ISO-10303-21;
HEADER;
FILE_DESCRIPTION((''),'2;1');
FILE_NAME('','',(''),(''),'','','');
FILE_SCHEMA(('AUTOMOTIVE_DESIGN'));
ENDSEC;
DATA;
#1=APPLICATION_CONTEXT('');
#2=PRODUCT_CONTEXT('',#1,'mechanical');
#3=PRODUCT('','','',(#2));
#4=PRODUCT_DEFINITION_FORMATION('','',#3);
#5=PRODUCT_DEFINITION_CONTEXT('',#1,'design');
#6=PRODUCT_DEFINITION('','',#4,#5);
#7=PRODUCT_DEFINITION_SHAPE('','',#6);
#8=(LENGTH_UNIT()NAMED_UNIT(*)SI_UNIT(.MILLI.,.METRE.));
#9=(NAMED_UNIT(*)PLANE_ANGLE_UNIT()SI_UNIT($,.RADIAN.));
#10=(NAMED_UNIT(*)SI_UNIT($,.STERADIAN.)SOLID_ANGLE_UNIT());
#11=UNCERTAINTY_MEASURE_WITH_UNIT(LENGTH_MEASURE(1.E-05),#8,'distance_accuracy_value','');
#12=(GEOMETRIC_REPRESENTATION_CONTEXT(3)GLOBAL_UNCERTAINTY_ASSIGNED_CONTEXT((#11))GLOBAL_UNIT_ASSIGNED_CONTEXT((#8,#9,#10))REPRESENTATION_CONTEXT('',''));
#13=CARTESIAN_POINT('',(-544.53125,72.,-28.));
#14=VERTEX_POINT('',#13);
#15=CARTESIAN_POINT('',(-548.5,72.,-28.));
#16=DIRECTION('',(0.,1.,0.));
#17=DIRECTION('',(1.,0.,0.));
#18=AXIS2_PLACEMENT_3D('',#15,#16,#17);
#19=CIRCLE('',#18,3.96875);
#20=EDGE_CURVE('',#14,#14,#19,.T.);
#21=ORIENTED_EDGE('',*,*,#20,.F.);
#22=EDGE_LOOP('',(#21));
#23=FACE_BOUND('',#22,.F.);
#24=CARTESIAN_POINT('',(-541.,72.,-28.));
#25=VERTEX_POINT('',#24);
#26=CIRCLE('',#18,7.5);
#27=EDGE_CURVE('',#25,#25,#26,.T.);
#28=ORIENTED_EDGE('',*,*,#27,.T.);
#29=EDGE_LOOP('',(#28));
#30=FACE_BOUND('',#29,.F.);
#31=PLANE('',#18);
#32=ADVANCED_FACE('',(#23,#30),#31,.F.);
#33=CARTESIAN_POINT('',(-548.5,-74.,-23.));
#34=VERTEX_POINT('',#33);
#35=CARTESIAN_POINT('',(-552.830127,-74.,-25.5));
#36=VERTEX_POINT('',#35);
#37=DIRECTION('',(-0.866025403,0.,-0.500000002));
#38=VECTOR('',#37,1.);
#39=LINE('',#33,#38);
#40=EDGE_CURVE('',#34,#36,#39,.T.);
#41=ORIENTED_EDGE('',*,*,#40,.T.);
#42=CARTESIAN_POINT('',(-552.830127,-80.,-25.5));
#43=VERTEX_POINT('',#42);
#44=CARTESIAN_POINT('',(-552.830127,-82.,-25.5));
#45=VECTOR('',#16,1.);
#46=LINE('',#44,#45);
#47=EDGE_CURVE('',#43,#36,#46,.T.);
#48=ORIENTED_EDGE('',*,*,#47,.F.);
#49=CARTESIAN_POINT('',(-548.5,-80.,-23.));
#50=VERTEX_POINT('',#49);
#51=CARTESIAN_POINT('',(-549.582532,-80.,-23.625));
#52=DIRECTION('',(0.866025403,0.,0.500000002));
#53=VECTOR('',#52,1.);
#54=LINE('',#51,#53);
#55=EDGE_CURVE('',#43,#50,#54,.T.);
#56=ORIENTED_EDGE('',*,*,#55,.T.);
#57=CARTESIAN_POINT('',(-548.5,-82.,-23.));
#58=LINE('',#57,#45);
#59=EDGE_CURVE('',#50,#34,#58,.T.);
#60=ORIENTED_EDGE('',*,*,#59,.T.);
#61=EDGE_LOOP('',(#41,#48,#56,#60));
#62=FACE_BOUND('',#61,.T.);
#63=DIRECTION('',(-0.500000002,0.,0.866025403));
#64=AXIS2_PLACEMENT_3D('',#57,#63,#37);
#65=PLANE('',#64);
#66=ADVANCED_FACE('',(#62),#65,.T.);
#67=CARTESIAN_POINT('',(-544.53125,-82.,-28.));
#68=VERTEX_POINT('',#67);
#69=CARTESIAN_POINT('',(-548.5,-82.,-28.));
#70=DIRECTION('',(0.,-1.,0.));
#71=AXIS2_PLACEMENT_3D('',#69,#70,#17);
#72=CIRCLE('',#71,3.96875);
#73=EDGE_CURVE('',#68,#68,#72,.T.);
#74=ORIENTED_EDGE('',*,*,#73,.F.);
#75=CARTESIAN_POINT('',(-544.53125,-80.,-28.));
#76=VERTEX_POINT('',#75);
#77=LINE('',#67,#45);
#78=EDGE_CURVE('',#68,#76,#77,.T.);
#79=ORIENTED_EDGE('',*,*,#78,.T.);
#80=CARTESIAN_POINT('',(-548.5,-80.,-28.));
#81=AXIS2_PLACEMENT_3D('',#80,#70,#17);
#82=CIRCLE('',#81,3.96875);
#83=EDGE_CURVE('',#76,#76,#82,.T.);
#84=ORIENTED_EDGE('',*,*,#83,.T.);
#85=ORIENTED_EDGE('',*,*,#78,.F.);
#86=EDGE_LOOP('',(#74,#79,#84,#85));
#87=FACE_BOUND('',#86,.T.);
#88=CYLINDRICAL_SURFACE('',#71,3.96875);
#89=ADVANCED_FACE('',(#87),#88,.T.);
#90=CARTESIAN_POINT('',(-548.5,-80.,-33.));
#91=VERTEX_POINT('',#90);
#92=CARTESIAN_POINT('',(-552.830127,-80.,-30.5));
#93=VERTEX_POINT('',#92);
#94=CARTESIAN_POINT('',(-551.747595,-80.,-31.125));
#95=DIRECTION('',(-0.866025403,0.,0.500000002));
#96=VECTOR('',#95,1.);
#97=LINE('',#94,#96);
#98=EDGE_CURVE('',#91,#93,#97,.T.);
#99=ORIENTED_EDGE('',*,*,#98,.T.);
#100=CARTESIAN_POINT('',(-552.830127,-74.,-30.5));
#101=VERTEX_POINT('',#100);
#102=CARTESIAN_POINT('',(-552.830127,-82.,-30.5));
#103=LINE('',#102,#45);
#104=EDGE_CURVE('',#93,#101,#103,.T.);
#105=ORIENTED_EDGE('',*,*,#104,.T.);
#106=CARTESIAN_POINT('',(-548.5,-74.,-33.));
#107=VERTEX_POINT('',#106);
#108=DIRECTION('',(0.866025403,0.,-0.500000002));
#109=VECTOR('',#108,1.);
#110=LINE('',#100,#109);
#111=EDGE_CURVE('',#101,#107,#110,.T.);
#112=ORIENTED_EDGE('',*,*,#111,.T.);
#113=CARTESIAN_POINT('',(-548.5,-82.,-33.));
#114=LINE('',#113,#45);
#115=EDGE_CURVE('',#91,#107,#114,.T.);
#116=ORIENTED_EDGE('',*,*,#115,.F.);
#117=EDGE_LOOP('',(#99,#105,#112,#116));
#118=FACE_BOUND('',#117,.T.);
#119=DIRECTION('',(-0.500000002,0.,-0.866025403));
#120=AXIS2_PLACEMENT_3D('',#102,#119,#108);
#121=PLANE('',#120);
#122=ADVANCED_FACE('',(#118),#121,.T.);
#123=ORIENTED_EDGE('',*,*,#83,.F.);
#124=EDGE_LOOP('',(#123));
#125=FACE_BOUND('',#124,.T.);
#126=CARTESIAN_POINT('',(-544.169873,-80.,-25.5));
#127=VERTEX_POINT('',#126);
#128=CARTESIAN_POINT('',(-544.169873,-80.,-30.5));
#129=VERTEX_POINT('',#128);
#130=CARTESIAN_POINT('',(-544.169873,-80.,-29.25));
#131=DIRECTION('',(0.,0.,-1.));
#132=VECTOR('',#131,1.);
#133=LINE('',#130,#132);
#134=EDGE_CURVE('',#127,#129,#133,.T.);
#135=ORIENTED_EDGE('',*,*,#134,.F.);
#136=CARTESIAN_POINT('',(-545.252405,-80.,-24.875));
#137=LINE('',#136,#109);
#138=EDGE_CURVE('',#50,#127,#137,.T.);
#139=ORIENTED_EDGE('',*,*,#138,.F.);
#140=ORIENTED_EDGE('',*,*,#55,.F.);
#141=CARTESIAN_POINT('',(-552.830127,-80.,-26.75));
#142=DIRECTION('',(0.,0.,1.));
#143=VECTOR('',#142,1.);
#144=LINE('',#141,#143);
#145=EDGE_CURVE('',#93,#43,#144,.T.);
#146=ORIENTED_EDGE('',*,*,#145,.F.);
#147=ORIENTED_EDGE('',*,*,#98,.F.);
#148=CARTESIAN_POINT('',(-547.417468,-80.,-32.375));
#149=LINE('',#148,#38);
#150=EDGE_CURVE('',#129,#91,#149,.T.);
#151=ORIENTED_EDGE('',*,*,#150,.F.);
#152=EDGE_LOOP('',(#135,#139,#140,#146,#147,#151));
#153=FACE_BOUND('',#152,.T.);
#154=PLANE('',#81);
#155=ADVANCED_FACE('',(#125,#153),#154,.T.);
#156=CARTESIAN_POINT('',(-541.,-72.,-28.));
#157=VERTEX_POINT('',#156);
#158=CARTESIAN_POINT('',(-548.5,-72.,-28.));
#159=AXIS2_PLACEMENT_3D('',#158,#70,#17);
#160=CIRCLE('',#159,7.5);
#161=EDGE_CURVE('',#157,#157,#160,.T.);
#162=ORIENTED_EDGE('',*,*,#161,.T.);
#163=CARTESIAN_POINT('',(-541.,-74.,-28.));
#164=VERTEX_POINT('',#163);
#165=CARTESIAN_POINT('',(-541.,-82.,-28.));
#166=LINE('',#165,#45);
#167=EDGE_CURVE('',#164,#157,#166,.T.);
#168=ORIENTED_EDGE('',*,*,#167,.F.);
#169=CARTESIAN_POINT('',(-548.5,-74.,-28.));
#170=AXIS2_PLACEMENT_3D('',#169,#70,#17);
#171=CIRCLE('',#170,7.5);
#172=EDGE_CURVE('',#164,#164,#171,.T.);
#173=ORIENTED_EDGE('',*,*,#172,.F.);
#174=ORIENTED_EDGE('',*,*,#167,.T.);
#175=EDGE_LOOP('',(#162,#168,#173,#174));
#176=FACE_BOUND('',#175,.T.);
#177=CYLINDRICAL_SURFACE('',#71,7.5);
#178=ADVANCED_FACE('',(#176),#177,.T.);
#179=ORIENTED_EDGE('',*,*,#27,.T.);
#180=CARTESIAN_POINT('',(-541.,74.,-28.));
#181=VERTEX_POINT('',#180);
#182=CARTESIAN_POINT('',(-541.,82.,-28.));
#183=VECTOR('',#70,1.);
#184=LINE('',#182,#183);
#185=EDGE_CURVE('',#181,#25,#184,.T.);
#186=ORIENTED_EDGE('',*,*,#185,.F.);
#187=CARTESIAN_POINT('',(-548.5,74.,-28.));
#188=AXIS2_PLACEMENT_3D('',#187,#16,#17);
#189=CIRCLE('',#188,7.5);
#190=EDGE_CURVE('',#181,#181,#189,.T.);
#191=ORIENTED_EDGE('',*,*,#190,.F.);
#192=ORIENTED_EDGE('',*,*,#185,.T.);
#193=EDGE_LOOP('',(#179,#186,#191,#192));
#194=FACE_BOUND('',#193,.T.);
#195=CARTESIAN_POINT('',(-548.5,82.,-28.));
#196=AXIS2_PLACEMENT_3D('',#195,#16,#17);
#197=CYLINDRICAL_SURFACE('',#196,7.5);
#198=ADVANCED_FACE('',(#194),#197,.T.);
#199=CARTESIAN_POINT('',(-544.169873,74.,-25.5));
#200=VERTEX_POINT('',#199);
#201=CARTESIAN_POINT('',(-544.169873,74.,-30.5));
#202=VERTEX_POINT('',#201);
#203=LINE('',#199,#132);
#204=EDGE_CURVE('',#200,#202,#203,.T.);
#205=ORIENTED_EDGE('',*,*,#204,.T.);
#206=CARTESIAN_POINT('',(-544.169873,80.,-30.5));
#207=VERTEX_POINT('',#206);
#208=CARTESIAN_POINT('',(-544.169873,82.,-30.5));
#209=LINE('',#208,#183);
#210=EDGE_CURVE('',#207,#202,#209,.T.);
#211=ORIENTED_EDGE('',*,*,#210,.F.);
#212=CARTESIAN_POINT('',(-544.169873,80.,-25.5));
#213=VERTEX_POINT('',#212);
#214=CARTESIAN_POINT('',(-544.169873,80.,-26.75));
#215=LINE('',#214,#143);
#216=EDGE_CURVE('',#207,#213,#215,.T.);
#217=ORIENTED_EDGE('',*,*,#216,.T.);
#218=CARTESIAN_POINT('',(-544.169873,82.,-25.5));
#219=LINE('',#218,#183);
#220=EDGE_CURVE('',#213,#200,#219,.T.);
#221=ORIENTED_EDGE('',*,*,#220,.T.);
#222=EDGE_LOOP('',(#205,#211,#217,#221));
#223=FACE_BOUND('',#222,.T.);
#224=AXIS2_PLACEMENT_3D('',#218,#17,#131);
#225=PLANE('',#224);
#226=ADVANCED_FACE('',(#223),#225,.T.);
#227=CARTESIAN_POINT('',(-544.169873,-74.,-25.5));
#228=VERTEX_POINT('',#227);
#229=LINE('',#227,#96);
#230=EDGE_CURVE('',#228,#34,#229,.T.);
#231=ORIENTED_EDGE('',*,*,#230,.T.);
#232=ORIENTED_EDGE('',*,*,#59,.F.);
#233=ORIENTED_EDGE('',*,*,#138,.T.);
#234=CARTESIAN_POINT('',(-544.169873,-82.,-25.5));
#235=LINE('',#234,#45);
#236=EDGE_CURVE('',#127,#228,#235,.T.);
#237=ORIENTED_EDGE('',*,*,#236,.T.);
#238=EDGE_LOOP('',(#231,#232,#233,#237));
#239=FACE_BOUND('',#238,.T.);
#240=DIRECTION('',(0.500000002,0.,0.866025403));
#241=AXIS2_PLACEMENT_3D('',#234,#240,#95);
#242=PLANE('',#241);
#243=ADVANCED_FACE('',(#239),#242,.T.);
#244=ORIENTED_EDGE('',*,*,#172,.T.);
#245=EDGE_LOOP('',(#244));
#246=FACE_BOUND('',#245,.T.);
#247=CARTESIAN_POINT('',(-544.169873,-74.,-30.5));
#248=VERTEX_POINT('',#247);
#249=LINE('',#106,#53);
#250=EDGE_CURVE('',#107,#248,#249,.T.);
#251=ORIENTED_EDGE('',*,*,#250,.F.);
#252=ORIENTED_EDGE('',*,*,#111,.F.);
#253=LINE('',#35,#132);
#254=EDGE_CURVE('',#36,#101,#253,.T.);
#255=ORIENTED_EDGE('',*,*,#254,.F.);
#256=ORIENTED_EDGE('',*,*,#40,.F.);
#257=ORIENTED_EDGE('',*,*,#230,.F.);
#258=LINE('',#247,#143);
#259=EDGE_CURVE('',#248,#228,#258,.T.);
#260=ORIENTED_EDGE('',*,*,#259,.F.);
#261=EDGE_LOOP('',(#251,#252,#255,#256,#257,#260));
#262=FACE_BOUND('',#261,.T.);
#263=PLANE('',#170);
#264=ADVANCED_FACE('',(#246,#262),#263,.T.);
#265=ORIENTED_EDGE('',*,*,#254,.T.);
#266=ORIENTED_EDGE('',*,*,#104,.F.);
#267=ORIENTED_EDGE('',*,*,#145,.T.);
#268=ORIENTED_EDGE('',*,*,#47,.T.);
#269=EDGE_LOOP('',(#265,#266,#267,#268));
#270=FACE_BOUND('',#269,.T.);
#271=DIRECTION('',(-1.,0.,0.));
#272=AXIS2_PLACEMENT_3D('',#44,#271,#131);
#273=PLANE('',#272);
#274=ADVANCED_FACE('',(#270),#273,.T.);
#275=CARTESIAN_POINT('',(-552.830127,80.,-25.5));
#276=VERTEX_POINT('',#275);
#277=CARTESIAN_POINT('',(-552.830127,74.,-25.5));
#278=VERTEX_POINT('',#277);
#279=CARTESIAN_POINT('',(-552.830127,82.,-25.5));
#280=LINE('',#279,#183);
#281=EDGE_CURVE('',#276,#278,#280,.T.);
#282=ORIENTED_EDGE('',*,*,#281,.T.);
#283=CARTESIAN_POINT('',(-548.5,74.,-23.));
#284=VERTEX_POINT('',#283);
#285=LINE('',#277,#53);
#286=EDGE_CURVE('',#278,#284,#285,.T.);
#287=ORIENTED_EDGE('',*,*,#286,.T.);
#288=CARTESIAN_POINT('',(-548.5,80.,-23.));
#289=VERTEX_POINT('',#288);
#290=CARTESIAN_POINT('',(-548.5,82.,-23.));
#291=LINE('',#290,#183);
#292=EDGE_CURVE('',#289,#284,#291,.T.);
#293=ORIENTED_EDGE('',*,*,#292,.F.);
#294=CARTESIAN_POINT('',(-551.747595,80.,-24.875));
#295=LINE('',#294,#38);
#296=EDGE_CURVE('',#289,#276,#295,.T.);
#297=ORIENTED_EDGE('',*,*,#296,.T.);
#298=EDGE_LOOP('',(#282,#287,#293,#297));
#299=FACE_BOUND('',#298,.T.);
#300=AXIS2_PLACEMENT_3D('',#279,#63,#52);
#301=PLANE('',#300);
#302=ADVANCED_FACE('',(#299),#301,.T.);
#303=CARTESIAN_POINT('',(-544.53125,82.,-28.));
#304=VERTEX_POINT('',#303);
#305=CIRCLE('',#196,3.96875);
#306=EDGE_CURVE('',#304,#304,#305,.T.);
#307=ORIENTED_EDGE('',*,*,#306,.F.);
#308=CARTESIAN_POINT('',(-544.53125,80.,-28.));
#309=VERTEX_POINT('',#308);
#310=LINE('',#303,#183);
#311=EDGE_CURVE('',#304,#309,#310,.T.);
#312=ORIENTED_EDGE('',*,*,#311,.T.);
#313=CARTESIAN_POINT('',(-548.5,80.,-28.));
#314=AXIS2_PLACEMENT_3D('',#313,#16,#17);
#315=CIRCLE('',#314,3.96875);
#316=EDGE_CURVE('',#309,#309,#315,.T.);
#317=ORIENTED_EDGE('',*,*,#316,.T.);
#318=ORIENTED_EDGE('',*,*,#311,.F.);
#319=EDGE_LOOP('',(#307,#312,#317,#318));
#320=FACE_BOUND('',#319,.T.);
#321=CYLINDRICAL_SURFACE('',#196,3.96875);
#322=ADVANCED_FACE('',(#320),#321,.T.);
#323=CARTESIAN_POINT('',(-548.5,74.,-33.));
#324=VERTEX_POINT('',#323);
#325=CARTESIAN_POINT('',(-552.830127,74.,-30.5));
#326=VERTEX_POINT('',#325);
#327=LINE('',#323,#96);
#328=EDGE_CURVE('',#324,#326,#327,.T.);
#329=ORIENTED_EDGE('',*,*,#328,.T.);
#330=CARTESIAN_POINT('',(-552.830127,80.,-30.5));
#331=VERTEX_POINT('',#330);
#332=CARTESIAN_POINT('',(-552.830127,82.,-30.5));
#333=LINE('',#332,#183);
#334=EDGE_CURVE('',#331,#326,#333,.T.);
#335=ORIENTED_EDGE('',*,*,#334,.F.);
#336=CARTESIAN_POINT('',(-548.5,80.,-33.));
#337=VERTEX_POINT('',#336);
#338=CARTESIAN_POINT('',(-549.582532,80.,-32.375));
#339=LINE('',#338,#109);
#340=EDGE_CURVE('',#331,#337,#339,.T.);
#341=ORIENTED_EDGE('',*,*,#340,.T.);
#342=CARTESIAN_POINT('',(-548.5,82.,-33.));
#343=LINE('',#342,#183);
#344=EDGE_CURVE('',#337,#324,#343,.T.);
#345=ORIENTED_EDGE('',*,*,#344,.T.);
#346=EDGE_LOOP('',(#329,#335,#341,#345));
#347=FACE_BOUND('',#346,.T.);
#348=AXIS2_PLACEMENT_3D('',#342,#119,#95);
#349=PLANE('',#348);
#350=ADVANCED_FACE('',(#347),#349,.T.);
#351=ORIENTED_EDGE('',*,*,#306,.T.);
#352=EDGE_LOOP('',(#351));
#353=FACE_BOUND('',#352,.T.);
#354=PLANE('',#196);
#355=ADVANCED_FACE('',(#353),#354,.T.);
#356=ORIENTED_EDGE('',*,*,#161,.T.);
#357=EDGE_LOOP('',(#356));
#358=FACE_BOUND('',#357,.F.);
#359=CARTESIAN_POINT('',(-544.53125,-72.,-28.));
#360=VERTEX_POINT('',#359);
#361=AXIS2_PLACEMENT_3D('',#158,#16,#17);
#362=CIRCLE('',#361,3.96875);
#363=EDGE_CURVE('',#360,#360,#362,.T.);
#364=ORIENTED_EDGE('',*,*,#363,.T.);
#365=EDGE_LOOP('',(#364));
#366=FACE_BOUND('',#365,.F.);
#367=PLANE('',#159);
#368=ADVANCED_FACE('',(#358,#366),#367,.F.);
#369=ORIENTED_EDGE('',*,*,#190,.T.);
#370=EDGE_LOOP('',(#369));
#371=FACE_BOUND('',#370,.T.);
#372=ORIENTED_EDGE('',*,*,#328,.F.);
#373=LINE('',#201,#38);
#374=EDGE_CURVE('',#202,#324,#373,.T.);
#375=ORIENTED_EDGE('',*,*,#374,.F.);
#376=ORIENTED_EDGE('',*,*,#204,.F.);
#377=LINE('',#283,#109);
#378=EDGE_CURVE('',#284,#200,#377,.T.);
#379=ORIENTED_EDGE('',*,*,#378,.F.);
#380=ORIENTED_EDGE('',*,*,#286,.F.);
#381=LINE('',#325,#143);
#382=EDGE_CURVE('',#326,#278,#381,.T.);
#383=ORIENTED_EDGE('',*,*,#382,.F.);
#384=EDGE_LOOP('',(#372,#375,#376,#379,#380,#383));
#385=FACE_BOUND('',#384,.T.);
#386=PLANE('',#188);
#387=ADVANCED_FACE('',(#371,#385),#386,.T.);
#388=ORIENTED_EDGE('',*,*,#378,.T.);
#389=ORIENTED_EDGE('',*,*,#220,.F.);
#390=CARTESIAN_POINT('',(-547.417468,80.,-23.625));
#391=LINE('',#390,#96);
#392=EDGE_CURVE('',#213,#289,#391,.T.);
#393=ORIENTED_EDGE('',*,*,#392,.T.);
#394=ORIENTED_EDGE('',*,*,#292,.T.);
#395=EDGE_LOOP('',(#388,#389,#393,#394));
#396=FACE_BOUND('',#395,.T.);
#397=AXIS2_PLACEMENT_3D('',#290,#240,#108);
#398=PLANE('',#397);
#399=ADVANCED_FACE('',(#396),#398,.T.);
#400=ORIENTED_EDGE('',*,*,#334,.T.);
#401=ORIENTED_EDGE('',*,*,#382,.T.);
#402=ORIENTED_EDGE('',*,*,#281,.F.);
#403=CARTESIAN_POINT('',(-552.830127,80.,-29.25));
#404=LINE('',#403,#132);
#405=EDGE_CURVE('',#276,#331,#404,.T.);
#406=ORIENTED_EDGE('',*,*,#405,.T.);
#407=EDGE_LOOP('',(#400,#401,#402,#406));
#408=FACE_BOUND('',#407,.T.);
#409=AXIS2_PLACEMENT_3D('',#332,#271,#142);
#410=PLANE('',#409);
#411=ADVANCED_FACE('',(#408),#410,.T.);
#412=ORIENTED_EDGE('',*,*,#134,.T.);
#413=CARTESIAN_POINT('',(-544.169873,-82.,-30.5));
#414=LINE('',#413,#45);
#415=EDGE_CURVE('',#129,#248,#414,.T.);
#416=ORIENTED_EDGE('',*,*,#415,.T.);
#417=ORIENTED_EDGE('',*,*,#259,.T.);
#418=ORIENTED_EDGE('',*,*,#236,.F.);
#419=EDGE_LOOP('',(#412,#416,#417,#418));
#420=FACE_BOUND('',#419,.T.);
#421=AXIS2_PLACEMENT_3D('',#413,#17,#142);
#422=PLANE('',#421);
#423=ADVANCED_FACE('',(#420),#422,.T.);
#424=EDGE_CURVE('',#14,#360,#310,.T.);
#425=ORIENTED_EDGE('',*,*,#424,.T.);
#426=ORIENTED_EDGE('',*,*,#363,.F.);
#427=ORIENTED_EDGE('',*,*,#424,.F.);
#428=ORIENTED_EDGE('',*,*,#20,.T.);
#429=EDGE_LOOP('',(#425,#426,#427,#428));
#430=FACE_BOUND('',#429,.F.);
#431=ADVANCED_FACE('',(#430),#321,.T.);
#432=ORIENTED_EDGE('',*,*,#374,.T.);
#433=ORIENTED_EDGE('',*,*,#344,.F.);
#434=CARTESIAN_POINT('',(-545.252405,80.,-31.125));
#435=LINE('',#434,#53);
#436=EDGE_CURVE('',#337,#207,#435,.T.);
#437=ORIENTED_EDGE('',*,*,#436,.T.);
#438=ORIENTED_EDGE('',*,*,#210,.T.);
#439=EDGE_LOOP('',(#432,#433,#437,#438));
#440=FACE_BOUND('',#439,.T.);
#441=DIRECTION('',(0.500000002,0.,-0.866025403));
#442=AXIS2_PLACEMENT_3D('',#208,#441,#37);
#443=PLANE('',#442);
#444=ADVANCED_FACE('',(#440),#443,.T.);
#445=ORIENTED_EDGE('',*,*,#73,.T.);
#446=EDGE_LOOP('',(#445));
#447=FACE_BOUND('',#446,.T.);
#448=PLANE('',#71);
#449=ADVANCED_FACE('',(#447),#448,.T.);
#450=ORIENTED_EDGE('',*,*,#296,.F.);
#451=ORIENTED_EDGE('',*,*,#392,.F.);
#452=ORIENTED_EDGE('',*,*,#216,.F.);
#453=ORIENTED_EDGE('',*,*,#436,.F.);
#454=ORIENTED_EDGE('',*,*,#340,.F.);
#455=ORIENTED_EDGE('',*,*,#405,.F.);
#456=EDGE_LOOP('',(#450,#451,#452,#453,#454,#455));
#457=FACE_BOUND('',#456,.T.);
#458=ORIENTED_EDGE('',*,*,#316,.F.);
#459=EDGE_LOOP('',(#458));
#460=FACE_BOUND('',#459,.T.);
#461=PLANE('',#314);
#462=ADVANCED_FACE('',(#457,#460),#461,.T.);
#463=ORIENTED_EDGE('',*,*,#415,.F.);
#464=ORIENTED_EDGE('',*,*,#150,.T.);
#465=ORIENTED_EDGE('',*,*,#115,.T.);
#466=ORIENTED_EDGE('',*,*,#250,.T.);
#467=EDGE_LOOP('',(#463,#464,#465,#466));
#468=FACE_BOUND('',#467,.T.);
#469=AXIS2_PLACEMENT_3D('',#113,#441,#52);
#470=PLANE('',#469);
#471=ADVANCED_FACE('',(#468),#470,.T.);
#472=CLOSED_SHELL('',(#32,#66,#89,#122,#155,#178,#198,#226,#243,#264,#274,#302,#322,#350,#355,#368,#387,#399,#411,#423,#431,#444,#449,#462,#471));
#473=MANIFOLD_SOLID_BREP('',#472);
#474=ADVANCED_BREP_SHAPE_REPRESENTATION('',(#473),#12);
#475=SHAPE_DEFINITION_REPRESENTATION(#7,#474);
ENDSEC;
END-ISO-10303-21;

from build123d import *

# Parameters (mm, degrees)
SKETCH013_R     = 3.96875
PAD009_DEPTH    = 164
SKETCH014_R     = 7.5
PAD010_DEPTH    = 10
SKETCH015_R     = 7.5
POCKET003_DEPTH = 8
SKETCH016_R     = 7.5
SKETCH016_R_2   = 3.96875
POCKET004_DEPTH = 2
SKETCH017_R     = 7.5
PAD011_DEPTH    = 10
SKETCH018_R     = 7.5
POCKET005_DEPTH = 8
SKETCH019_R     = 7.5
SKETCH019_R_2   = 3.96875
POCKET006_DEPTH = 2


with BuildPart() as part:
    # Sketch013 → Pad009 (new body)
    with BuildSketch(Plane(origin=(500, 82, 56), x_dir=(1, 0, 0), z_dir=(0, -1, 0))):
        Circle(SKETCH013_R)
    extrude(amount=PAD009_DEPTH)

    # Sketch014 → Pad010 (new body)
    with BuildSketch(Plane(origin=(500, 82, 56), x_dir=(1, 0, 0), z_dir=(0, 1, 0))):
        Circle(SKETCH014_R)
    extrude(amount=-PAD010_DEPTH)

    # Sketch015 → Pocket003 (cut)
    with BuildSketch(Plane(origin=(500, 82, 56), x_dir=(1, 0, 0), z_dir=(0, 1, 0))):
        Circle(SKETCH015_R)
        Polygon((0, 5), (-4.330127, 2.5), (-4.330127, -2.5), (0, -5), (4.330127, -2.5), (4.330127, 2.5), align=None, mode=Mode.SUBTRACT)
    extrude(amount=-POCKET003_DEPTH, mode=Mode.SUBTRACT)

    # Sketch016 → Pocket004 (cut)
    with BuildSketch(Plane(origin=(500, 82, 56), x_dir=(1, 0, 0), z_dir=(0, 1, 0))):
        Circle(SKETCH016_R)
        Circle(SKETCH016_R_2, mode=Mode.SUBTRACT)
    extrude(amount=-POCKET004_DEPTH, mode=Mode.SUBTRACT)

    # Sketch017 → Pad011 (new body)
    with BuildSketch(Plane(origin=(500, -82, 56), x_dir=(1, 0, 0), z_dir=(0, -1, 0))):
        Circle(SKETCH017_R)
    extrude(amount=-PAD011_DEPTH)

    # Sketch018 → Pocket005 (cut)
    with BuildSketch(Plane(origin=(500, -82, 56), x_dir=(1, 0, 0), z_dir=(0, -1, 0))):
        Circle(SKETCH018_R)
        Polygon((0, 5), (-4.330127, 2.5), (-4.330127, -2.5), (0, -5), (4.330127, -2.5), (4.330127, 2.5), align=None, mode=Mode.SUBTRACT)
    extrude(amount=-POCKET005_DEPTH, mode=Mode.SUBTRACT)

    # Sketch019 → Pocket006 (cut)
    with BuildSketch(Plane(origin=(500, -82, 56), x_dir=(1, 0, 0), z_dir=(0, -1, 0))):
        Circle(SKETCH019_R)
        Circle(SKETCH019_R_2, mode=Mode.SUBTRACT)
    extrude(amount=-POCKET006_DEPTH, mode=Mode.SUBTRACT)


with BuildPart() as part_1:
    # Clone019 placement: moved
    add(part.part.moved(Location((-1048.5, 0, -84))))


solid = part_1.part
